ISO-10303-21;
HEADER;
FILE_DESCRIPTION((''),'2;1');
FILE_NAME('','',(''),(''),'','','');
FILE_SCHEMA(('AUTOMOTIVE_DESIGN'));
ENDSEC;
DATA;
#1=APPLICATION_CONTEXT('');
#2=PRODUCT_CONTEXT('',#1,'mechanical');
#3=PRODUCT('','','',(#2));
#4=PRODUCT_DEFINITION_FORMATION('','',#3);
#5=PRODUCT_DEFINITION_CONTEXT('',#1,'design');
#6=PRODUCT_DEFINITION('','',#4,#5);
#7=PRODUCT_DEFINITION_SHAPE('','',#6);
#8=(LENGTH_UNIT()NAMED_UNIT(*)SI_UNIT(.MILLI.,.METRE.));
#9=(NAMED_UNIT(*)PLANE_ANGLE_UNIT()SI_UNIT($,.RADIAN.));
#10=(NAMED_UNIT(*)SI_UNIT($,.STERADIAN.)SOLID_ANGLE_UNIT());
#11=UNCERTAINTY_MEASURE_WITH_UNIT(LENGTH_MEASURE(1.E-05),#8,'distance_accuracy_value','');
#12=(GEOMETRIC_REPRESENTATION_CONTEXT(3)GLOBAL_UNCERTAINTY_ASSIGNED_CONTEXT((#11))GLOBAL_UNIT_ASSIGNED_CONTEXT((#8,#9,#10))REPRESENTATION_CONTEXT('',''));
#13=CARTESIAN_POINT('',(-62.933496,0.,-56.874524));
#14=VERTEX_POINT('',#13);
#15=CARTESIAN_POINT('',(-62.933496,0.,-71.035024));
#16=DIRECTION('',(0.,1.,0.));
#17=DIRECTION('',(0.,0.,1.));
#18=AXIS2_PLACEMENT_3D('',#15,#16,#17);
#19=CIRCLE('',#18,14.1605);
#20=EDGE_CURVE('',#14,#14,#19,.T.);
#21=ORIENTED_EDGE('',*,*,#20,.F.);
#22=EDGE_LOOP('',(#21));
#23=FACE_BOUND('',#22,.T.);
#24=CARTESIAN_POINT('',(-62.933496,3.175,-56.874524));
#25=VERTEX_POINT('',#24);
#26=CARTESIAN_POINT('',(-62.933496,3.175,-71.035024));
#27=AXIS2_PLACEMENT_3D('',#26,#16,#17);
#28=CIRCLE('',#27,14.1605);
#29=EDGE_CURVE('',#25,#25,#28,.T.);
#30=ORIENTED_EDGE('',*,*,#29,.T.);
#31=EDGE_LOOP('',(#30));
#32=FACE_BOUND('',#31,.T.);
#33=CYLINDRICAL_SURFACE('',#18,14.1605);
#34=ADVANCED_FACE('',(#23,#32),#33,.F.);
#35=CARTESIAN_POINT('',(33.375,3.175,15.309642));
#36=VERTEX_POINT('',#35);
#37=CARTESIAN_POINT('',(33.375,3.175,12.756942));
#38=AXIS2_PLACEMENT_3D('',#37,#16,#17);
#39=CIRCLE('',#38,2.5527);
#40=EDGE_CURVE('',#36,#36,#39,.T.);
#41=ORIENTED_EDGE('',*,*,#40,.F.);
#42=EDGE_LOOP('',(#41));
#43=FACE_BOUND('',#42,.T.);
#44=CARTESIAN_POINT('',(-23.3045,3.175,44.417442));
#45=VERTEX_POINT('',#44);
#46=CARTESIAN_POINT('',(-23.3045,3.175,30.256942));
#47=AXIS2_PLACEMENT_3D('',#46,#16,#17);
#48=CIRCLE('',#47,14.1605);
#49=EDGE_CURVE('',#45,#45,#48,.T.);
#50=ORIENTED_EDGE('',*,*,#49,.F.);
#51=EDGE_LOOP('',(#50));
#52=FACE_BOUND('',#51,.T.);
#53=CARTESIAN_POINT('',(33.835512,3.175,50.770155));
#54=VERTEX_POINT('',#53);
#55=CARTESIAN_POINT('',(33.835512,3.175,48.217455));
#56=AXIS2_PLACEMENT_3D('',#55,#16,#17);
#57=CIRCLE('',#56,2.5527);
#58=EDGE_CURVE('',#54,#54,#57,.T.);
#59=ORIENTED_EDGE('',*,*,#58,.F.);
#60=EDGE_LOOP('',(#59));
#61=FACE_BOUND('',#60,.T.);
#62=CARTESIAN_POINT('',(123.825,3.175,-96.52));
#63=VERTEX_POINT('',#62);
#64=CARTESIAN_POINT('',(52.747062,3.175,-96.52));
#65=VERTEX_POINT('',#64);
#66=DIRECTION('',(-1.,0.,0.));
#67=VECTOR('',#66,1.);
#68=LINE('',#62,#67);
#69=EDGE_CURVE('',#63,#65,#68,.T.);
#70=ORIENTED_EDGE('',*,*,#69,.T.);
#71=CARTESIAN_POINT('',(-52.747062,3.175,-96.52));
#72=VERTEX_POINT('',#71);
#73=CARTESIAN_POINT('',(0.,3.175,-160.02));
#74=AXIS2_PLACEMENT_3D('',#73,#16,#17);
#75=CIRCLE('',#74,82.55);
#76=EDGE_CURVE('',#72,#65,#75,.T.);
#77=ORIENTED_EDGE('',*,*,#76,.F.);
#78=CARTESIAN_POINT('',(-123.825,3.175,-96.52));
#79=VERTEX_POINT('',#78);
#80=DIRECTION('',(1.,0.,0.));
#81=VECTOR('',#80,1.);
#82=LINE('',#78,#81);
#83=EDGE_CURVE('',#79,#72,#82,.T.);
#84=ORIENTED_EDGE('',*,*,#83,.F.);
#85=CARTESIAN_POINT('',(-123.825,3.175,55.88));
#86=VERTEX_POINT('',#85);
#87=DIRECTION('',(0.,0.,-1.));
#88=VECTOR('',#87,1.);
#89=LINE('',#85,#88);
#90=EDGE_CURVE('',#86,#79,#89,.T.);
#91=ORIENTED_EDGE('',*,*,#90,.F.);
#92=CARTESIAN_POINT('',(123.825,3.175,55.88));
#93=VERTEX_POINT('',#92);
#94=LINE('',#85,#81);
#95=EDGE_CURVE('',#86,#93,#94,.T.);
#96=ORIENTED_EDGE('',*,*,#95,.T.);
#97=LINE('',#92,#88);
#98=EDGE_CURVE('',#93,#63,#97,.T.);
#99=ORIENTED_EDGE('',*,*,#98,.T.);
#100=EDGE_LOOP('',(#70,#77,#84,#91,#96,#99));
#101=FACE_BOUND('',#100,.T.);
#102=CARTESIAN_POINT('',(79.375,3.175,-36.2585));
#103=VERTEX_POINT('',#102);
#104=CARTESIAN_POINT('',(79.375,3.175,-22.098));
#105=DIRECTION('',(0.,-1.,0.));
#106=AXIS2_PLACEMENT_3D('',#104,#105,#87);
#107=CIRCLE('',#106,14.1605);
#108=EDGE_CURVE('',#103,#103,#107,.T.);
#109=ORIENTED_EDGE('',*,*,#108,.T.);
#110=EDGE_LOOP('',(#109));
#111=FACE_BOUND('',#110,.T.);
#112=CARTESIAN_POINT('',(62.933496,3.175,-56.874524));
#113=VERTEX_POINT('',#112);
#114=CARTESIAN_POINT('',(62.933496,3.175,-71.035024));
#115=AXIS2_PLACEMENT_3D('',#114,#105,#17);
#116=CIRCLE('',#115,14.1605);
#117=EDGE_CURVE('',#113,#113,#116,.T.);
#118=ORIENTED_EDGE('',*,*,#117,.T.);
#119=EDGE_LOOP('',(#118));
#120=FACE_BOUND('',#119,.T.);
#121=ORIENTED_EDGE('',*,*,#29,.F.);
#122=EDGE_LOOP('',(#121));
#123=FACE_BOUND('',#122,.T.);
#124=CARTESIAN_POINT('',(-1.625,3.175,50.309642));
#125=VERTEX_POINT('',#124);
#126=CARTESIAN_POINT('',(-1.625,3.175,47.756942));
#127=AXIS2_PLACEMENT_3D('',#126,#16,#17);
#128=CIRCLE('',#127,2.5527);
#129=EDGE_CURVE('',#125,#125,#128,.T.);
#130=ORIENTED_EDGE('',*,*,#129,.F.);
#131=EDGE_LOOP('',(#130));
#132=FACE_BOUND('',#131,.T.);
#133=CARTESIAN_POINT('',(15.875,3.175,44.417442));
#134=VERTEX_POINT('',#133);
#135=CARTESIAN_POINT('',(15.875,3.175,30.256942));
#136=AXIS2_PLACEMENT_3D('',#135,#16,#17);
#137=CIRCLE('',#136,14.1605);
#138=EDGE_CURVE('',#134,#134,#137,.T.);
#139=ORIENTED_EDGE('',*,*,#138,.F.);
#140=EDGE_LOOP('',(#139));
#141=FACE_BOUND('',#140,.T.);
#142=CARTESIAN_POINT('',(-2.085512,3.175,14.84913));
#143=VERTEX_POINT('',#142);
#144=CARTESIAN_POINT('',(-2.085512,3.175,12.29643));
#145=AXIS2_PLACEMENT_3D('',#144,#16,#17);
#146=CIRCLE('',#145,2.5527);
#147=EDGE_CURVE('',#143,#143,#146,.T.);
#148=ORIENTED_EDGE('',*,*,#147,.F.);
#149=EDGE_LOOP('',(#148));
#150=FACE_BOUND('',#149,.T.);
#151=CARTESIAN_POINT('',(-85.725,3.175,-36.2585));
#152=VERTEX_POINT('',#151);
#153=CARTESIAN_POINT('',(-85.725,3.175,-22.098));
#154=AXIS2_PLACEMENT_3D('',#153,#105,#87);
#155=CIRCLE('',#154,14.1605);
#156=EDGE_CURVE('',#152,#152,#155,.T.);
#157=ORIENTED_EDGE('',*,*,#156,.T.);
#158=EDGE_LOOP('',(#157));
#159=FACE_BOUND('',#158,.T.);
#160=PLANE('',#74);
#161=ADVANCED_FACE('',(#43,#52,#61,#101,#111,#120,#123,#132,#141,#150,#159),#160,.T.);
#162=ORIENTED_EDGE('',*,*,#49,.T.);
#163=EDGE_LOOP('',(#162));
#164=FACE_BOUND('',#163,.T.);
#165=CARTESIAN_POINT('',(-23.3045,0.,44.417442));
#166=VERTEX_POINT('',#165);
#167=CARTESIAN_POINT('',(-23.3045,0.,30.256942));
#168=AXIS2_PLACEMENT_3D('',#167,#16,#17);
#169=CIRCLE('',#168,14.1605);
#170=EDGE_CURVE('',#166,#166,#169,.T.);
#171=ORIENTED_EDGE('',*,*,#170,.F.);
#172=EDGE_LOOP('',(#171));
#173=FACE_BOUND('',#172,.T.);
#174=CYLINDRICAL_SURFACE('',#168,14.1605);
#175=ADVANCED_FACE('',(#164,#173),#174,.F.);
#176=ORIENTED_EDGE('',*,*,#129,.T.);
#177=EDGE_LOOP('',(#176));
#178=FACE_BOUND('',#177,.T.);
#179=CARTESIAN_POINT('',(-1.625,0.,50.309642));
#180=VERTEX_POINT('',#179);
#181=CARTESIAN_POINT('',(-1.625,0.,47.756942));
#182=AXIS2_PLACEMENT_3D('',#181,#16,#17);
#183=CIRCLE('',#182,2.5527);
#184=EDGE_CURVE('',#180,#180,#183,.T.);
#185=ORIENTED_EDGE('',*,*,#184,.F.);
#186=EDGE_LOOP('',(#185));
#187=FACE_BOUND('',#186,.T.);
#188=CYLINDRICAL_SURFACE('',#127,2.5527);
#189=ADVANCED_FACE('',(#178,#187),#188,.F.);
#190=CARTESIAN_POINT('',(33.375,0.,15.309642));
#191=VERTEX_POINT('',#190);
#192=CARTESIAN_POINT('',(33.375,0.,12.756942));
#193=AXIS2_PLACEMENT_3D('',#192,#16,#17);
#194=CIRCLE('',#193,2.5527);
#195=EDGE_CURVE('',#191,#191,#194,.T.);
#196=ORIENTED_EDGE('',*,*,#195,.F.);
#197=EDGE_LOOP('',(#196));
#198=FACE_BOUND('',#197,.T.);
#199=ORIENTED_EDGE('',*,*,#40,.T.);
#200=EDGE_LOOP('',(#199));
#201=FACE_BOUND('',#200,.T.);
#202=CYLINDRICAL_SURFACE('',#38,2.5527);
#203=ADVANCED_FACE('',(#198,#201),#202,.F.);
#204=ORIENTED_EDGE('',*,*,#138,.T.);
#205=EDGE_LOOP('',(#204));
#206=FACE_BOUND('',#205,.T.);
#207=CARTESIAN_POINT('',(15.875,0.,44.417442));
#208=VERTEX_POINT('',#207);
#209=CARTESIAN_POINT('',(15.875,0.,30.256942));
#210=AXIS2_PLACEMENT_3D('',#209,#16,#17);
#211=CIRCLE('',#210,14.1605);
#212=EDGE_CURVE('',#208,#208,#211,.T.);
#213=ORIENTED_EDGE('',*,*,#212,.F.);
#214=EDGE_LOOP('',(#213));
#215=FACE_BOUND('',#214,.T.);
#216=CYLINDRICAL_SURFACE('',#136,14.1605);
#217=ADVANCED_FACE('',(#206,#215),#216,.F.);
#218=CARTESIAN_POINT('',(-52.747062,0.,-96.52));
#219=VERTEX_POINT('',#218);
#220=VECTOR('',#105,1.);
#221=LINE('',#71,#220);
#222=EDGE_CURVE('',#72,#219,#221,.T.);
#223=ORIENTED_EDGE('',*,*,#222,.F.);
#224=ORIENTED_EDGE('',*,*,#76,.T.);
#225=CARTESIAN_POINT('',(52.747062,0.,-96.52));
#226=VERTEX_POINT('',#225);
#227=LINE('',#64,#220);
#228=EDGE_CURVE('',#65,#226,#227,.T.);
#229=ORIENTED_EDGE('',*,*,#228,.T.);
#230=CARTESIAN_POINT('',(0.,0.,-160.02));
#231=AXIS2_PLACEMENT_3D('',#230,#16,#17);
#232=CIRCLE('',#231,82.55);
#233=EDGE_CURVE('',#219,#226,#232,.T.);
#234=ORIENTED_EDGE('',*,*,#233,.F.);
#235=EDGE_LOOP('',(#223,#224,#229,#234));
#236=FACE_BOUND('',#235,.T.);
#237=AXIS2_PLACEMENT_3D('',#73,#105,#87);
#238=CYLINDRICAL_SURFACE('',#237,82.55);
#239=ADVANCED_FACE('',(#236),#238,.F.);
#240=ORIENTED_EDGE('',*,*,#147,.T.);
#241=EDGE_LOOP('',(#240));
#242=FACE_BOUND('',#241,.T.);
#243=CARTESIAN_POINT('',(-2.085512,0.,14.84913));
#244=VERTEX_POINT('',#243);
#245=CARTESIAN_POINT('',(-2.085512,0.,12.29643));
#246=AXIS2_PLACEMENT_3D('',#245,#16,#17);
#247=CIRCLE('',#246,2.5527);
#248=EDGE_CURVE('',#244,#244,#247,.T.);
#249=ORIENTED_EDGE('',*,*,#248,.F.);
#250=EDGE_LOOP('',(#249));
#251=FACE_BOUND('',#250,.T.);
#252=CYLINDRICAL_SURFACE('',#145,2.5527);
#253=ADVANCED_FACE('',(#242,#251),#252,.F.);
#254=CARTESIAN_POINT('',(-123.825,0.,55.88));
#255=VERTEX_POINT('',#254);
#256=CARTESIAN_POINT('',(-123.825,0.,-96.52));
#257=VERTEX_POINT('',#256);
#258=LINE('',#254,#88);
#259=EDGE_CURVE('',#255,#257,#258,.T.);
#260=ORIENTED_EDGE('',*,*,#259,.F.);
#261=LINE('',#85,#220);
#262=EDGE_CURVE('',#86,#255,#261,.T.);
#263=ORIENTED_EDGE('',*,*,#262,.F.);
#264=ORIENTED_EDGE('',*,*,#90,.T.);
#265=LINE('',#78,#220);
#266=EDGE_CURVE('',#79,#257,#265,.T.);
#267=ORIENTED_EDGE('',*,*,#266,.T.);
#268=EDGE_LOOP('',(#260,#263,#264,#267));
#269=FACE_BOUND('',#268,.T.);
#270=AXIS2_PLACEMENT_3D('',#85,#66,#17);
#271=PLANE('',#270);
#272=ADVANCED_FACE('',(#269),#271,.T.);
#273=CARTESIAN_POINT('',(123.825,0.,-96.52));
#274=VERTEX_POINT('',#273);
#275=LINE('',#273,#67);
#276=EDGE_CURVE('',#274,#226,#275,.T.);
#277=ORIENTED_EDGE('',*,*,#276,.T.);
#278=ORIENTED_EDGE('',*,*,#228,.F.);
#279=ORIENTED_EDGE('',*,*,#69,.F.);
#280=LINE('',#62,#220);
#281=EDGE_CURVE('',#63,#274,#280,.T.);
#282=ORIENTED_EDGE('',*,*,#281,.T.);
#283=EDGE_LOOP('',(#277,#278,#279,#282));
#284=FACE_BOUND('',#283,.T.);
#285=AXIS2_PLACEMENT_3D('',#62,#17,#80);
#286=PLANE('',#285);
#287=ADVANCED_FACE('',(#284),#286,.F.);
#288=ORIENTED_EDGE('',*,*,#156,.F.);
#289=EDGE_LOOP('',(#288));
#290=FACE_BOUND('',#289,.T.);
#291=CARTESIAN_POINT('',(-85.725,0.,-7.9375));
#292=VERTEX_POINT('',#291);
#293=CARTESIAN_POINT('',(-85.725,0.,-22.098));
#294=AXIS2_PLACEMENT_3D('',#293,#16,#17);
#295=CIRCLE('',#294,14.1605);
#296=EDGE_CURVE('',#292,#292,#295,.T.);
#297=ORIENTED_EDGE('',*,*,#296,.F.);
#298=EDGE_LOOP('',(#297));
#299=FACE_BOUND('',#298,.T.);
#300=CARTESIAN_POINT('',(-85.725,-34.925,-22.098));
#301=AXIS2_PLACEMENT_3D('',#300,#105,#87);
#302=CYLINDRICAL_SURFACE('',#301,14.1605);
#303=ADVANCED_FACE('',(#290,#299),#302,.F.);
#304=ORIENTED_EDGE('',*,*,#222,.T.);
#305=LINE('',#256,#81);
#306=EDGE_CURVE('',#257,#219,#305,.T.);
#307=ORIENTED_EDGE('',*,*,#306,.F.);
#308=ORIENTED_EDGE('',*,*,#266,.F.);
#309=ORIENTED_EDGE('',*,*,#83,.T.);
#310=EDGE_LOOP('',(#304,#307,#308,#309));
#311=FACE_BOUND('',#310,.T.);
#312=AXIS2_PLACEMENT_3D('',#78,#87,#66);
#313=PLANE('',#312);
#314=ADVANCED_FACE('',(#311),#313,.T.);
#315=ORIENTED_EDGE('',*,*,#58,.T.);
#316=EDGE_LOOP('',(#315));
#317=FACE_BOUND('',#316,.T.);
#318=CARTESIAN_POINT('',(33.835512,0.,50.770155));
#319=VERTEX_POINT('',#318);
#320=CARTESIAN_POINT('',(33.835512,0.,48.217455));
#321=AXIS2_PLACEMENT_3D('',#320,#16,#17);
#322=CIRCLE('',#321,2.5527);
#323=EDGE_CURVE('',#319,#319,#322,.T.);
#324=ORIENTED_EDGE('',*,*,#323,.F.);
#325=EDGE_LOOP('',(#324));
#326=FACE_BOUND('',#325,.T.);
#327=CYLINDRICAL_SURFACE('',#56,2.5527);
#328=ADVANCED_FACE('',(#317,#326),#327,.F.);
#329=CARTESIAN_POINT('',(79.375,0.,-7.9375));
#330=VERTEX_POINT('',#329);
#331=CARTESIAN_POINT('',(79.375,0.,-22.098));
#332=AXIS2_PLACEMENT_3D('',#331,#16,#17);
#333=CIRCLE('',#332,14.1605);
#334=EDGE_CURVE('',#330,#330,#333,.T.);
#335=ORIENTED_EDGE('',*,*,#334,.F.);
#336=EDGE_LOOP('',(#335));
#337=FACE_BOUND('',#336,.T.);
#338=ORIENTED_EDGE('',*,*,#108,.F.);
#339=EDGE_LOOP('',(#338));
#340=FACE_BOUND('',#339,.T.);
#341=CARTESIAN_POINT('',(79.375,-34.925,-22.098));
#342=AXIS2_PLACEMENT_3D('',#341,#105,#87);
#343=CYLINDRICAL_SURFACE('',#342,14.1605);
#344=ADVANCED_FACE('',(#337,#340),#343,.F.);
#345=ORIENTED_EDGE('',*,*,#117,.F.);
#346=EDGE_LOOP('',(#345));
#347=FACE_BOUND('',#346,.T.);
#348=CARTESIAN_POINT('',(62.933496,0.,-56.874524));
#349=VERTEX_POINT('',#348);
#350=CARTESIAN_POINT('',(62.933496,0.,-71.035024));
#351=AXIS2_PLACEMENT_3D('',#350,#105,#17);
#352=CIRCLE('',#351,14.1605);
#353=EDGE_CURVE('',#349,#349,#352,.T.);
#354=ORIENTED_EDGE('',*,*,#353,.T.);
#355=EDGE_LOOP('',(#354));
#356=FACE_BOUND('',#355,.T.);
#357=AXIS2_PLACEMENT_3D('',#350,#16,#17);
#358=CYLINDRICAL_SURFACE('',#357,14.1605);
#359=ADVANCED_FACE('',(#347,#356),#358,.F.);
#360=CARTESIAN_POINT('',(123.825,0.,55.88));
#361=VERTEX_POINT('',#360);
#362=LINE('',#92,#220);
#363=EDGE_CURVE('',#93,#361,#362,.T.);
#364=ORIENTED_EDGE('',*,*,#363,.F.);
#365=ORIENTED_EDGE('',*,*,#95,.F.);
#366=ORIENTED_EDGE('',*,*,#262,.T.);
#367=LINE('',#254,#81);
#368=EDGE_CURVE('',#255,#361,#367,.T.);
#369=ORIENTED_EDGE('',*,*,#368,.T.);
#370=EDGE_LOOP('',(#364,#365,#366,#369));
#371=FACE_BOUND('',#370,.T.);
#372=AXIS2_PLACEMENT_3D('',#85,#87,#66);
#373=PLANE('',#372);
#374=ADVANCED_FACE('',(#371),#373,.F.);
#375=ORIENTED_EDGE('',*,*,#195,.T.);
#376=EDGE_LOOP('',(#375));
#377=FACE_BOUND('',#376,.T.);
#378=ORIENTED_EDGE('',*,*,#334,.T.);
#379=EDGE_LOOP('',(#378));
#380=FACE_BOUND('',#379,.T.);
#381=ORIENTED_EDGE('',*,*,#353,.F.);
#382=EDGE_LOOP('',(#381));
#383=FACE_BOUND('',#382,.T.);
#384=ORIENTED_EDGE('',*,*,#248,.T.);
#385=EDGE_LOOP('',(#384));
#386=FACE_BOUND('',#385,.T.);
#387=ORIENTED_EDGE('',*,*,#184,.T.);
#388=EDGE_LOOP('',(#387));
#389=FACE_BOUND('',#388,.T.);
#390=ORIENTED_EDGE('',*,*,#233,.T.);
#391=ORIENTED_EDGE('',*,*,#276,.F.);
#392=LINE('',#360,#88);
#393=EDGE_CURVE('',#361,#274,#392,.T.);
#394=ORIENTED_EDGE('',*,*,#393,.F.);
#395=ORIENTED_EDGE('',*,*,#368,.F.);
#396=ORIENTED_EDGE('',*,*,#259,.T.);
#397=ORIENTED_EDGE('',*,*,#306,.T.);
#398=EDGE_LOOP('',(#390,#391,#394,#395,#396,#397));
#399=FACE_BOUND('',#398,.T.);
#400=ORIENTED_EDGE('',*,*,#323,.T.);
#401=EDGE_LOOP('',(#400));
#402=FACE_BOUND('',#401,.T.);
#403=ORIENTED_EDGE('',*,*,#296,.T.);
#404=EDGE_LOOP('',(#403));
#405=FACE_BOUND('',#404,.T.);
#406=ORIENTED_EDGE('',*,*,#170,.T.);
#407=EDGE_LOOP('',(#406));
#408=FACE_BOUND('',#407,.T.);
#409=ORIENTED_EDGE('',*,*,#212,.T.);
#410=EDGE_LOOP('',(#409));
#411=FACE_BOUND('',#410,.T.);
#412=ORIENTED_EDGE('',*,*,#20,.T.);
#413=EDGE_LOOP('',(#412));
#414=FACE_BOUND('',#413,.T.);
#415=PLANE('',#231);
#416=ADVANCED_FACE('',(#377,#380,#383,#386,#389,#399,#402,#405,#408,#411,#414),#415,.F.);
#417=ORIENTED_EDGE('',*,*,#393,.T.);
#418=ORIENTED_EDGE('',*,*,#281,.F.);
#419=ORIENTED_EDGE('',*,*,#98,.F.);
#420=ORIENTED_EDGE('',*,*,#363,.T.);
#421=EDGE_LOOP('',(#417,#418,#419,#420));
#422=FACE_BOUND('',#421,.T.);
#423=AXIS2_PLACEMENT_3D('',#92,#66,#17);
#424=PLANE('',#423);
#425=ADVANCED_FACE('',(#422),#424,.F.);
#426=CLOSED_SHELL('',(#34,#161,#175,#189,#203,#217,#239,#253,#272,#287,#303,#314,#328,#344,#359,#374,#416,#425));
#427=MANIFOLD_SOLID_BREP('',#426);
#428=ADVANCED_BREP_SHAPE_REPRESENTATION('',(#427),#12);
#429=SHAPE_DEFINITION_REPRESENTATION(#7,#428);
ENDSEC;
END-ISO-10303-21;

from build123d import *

# Parameters (mm, degrees)
BOSS_EXTRUDE1_DEPTH     = 3.175
F_1_1_115_DOWEL_HOLE1_D = 28.321
F_10_CLEARANCE_HOLE1_D  = 5.1054
F_1_1_115_DOWEL_HOLE3_D = 28.321
SKETCH11_R              = 14.1605
CUT_EXTRUDE1_DEPTH      = 158.031276025
SKETCH12_R              = 14.1605
CUT_EXTRUDE2_DEPTH      = 158.031276025


with BuildPart() as part:
    # Sketch1 → Boss-Extrude1 (new body)
    with BuildSketch(Plane(origin=(0, 0, 0), x_dir=(1, 0, 0), z_dir=(0, 1, 0))):
        with BuildLine():
            Line((-123.825, -55.88), (123.825, -55.88))
            Line((123.825, -55.88), (123.825, 96.52))
            Line((123.825, 96.52), (52.74706153, 96.52))
            ThreePointArc((52.74706153, 96.52), (0, 77.47), (-52.74706153, 96.52))
            Line((-52.74706153, 96.52), (-123.825, 96.52))
            Line((-123.825, 96.52), (-123.825, -55.88))
        make_face()
    extrude(amount=BOSS_EXTRUDE1_DEPTH)

    # 1 (1.115) Dowel Hole1 (through all)
    with Locations(Plane(origin=(0, 3.175, 0), x_dir=(1, 0, 0), z_dir=(0, 1, 0))):
        with Locations((15.875, -30.256942448)):
            Hole(F_1_1_115_DOWEL_HOLE1_D / 2)

    # #10 Clearance Hole1 (through all)
    with Locations(Plane(origin=(0, 3.175, 0), x_dir=(1, 0, 0), z_dir=(0, 1, 0))):
        with Locations((-1.625, -47.756942448), (33.375, -12.756942448), (-2.085512242, -12.296430205), (33.835512242, -48.21745469)):
            Hole(F_10_CLEARANCE_HOLE1_D / 2)

    # 1 (1.115) Dowel Hole3 (through all)
    with Locations(Plane(origin=(-3.175, -34.925, 0), x_dir=(-1, 0, 0), z_dir=(0, -1, 0))):
        with Locations((82.55, 22.098), (-82.55, 22.098)):
            Hole(F_1_1_115_DOWEL_HOLE3_D / 2)

    # Sketch11 → Cut-Extrude1 (cut, through all)
    with BuildSketch(Plane(origin=(0, 3.175, 0), x_dir=(1, 0, 0), z_dir=(0, 1, 0))):
        with Locations(Location((-23.3045, -30.256942448, 0), (0, 0, 270))):
            Circle(SKETCH11_R)
    extrude(amount=-CUT_EXTRUDE1_DEPTH, mode=Mode.SUBTRACT)

    # Sketch12 → Cut-Extrude2 (cut, through all)
    with BuildSketch(Plane(origin=(0, 3.175, 0), x_dir=(1, 0, 0), z_dir=(0, 1, 0))):
        with Locations(Location((-62.933495539, 71.035024331, 0), (0, 0, 270))):
            Circle(SKETCH12_R)
    cut_extrude2 = extrude(amount=-CUT_EXTRUDE2_DEPTH, mode=Mode.SUBTRACT)

    # Mirror2: Cut-Extrude2 across plane
    add(cut_extrude2.mirror(Plane(origin=(0, 0, 0), x_dir=(0, 0, 1), z_dir=(1, 0, 0))), mode=Mode.SUBTRACT)


solid = part.part
